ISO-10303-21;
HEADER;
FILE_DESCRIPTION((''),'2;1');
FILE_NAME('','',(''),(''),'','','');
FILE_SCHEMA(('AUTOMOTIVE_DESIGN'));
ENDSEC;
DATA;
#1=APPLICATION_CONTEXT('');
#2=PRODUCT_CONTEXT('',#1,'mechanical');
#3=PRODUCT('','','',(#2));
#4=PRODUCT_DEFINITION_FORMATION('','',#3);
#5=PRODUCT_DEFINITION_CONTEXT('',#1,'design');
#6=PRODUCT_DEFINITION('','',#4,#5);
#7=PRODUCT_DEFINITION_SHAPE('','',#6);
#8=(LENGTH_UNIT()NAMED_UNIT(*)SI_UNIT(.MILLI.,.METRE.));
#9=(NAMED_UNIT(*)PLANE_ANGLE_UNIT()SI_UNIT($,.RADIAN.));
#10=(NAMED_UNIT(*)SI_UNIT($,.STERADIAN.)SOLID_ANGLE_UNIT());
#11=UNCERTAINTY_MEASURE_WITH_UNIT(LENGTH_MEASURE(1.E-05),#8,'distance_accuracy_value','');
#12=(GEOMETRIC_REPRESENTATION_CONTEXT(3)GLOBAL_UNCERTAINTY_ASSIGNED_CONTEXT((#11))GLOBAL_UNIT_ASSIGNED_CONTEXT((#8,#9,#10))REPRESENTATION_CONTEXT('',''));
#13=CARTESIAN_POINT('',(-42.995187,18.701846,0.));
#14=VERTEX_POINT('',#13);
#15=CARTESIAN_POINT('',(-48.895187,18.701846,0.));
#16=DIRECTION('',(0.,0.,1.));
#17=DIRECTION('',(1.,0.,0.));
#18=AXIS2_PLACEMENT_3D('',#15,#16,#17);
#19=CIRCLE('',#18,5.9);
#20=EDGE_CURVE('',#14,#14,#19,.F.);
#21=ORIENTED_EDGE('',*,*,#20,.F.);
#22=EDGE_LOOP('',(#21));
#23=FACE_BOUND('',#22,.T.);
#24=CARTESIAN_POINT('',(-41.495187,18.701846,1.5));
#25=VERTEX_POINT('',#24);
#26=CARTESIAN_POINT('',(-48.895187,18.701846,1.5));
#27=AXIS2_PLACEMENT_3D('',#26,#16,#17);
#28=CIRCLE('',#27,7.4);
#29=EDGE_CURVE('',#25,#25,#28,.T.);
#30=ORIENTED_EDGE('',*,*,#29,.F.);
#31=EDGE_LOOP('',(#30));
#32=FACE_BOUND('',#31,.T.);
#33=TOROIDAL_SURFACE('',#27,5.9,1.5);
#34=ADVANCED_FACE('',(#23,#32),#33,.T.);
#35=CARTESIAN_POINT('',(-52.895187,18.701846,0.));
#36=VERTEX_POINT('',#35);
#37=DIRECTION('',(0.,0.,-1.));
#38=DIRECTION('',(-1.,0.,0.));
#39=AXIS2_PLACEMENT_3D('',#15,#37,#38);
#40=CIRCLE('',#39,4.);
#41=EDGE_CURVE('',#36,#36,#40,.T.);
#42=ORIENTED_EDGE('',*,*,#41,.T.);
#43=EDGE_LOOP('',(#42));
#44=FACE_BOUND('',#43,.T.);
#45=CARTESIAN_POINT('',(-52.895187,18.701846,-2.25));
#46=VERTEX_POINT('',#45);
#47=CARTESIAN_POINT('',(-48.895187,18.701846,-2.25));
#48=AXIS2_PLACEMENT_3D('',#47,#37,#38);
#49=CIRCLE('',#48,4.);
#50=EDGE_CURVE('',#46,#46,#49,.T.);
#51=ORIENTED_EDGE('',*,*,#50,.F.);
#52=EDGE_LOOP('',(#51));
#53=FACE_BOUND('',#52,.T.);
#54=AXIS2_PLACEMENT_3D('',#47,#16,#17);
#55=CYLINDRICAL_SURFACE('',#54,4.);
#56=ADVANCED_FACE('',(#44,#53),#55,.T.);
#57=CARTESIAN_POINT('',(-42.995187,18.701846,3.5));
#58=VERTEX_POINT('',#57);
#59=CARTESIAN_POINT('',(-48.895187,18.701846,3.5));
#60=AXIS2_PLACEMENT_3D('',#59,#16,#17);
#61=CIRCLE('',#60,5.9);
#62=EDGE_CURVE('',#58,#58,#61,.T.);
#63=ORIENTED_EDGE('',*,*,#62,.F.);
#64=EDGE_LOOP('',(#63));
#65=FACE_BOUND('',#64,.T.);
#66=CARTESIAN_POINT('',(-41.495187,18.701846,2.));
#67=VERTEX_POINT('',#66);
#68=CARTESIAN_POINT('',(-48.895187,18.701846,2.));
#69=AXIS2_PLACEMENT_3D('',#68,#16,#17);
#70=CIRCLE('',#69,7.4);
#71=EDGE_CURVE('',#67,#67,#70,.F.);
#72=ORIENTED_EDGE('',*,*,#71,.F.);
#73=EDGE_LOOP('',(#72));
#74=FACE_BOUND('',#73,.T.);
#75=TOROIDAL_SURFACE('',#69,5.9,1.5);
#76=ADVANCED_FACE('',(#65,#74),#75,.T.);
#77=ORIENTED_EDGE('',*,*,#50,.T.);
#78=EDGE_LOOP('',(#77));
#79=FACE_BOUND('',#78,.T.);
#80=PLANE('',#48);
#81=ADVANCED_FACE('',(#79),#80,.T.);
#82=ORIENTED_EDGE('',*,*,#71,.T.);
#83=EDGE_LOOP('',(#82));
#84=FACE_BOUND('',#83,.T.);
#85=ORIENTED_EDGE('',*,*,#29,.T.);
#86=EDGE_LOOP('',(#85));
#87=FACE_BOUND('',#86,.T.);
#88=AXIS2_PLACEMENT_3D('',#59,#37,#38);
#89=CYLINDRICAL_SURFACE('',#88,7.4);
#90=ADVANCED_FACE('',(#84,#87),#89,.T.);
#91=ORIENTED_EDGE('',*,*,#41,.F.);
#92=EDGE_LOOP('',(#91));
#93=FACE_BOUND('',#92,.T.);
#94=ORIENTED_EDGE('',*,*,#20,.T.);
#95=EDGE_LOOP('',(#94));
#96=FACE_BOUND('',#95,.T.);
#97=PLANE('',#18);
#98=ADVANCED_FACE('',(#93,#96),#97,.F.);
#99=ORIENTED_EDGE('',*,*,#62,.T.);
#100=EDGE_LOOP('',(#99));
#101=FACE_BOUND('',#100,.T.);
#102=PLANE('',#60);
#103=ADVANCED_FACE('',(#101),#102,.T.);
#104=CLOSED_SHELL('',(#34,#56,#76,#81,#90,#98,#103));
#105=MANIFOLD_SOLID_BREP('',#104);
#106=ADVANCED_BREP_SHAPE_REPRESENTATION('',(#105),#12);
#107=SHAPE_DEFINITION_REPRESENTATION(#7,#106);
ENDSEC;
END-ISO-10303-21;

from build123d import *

# Parameters (mm, degrees)
SKETCH1_R           = 7.4
BOSS_EXTRUDE1_DEPTH = 3.5
SKETCH2_R           = 4
BOSS_EXTRUDE2_DEPTH = 2.25
FILLET1_R           = 1.5
FILLET2_R           = 1.5


with BuildPart() as part:
    # Sketch1 → Boss-Extrude1 (new body)
    with BuildSketch(Plane.XY):
        with Locations((-48.895186784, 18.701845636)):
            Circle(SKETCH1_R)
    extrude(amount=BOSS_EXTRUDE1_DEPTH)

    # Sketch2 → Boss-Extrude2 (add)
    with BuildSketch(Plane(origin=(0, 0, 0), x_dir=(-1, 0, 0), z_dir=(0, 0, -1))):
        with Locations((48.895186784, 18.701845636)):
            Circle(SKETCH2_R)
    extrude(amount=BOSS_EXTRUDE2_DEPTH)

    # Fillet1
    fillet1_edges = [part.edges().sort_by_distance(p)[0] for p in [
        (-56.295186784, 18.701845636, 3.5),
    ]]
    fillet(fillet1_edges, radius=FILLET1_R)

    # Fillet2
    fillet2_edges = [part.edges().sort_by_distance(p)[0] for p in [
        (-56.295186784, 18.701845636, 0),
    ]]
    fillet(fillet2_edges, radius=FILLET2_R)


solid = part.part
